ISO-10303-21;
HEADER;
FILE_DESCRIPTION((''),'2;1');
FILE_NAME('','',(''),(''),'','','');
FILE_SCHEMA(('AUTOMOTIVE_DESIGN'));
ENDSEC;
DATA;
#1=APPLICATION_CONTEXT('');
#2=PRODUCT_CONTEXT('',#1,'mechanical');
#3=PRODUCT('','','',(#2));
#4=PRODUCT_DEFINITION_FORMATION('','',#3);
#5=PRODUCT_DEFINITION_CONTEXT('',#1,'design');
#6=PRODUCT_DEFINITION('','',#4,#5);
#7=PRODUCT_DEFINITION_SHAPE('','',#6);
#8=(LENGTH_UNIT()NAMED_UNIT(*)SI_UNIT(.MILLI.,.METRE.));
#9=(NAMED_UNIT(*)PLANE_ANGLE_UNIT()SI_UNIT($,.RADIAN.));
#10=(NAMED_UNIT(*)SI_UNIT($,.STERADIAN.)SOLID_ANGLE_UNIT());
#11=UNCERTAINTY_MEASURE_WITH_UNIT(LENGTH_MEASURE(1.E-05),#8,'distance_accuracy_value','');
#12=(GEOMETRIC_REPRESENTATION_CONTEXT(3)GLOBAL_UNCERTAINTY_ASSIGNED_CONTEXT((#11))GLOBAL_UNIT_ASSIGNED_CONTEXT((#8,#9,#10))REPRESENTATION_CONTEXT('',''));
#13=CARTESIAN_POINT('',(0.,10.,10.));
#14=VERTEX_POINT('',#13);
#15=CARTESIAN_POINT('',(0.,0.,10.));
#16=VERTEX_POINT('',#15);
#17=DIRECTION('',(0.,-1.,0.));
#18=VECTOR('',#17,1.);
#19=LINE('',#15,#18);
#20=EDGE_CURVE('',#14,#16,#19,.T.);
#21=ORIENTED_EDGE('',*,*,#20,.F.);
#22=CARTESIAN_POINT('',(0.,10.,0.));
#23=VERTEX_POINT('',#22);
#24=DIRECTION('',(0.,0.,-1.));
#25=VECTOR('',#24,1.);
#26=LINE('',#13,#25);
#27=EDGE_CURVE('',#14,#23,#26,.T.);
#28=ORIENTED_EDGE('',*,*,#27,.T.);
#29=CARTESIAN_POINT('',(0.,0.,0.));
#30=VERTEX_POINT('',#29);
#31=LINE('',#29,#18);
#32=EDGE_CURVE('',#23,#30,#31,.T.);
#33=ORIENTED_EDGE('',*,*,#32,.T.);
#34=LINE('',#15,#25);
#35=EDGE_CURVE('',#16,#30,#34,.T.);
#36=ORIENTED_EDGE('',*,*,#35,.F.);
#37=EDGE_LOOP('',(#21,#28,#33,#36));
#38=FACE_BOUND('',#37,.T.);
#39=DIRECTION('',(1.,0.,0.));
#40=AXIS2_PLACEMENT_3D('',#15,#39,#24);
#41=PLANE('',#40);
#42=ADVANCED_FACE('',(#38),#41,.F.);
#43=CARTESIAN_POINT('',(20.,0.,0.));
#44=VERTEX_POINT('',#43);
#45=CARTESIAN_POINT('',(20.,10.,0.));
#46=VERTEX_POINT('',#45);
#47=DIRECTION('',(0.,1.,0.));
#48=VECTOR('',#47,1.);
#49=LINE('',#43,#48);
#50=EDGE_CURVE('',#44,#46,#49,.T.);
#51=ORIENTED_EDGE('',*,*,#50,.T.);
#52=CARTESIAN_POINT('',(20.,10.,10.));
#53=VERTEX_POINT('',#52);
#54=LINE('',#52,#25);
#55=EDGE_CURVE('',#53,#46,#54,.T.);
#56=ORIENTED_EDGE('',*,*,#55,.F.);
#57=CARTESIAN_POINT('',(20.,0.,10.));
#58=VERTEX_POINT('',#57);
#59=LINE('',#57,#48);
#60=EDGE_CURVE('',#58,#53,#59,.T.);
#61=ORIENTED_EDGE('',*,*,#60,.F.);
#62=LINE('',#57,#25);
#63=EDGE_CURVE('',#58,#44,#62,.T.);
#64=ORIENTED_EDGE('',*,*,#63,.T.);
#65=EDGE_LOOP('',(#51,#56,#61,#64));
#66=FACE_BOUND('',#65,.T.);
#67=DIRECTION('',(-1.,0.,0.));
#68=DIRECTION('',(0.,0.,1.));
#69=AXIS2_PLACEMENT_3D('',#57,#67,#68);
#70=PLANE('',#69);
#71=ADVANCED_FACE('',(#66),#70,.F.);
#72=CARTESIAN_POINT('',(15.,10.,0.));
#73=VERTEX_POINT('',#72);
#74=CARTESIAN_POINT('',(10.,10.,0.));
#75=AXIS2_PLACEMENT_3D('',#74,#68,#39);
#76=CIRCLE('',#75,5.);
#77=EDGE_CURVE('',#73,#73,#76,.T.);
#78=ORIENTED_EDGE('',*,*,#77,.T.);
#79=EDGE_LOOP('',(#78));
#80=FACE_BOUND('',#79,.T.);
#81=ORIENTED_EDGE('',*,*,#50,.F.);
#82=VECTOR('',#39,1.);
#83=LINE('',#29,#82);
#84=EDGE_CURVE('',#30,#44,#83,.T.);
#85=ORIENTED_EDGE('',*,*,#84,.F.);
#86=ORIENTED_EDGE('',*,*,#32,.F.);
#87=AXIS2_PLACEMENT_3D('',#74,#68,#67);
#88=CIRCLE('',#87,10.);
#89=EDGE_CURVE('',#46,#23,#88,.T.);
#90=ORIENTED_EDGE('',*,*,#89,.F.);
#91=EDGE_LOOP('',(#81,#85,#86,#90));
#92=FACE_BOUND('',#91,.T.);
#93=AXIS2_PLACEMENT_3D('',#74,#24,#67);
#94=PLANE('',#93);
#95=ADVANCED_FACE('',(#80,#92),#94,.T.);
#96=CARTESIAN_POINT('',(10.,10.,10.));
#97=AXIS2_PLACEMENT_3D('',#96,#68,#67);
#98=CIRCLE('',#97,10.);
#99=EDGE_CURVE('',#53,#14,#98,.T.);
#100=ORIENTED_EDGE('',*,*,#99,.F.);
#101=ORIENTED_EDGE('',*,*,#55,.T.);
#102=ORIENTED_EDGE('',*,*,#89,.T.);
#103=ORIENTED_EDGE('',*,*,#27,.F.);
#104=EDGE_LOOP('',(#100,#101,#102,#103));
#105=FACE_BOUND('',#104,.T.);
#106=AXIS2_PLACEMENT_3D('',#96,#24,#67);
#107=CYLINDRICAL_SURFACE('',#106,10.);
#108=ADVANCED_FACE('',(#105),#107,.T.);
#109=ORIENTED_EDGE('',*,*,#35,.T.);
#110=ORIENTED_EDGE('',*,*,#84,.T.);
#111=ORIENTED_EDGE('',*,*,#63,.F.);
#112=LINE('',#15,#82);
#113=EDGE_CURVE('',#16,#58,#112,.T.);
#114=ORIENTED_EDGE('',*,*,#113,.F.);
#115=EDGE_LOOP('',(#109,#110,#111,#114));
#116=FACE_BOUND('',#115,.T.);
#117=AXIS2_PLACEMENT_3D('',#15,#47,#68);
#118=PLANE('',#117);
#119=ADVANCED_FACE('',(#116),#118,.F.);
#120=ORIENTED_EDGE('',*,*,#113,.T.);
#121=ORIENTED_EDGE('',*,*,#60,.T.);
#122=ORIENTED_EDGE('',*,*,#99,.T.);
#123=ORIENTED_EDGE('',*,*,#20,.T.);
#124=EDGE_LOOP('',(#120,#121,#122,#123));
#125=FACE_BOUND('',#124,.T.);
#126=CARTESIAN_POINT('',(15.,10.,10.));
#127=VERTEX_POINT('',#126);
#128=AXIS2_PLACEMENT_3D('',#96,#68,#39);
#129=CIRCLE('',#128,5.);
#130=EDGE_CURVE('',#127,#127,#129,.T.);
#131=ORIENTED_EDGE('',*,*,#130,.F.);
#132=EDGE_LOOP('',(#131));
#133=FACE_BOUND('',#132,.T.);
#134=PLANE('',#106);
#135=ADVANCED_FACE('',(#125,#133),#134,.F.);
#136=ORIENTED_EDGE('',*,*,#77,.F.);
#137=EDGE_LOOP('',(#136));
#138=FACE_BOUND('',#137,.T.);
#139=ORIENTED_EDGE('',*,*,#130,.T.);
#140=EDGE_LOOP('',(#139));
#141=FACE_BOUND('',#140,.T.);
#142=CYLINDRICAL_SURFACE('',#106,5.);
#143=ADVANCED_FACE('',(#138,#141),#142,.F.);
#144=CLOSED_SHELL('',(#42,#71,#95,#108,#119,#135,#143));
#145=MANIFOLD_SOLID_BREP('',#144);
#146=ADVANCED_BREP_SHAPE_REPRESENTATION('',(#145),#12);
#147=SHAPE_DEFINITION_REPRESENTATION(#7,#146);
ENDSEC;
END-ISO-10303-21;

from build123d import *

# Parameters (mm, degrees)
SKETCH1_R           = 5
BOSS_EXTRUDE1_DEPTH = 10


with BuildPart() as part:
    # Sketch1 → Boss-Extrude1 (new body)
    with BuildSketch(Plane.XY):
        with BuildLine():
            Line((0, 0), (20, 0))
            Line((20, 0), (20, 10))
            ThreePointArc((20, 10), (10, 20), (0, 10))
            Line((0, 10), (0, 0))
        make_face()
        with Locations((10, 10)):
            Circle(SKETCH1_R, mode=Mode.SUBTRACT)
    extrude(amount=BOSS_EXTRUDE1_DEPTH)


solid = part.part
